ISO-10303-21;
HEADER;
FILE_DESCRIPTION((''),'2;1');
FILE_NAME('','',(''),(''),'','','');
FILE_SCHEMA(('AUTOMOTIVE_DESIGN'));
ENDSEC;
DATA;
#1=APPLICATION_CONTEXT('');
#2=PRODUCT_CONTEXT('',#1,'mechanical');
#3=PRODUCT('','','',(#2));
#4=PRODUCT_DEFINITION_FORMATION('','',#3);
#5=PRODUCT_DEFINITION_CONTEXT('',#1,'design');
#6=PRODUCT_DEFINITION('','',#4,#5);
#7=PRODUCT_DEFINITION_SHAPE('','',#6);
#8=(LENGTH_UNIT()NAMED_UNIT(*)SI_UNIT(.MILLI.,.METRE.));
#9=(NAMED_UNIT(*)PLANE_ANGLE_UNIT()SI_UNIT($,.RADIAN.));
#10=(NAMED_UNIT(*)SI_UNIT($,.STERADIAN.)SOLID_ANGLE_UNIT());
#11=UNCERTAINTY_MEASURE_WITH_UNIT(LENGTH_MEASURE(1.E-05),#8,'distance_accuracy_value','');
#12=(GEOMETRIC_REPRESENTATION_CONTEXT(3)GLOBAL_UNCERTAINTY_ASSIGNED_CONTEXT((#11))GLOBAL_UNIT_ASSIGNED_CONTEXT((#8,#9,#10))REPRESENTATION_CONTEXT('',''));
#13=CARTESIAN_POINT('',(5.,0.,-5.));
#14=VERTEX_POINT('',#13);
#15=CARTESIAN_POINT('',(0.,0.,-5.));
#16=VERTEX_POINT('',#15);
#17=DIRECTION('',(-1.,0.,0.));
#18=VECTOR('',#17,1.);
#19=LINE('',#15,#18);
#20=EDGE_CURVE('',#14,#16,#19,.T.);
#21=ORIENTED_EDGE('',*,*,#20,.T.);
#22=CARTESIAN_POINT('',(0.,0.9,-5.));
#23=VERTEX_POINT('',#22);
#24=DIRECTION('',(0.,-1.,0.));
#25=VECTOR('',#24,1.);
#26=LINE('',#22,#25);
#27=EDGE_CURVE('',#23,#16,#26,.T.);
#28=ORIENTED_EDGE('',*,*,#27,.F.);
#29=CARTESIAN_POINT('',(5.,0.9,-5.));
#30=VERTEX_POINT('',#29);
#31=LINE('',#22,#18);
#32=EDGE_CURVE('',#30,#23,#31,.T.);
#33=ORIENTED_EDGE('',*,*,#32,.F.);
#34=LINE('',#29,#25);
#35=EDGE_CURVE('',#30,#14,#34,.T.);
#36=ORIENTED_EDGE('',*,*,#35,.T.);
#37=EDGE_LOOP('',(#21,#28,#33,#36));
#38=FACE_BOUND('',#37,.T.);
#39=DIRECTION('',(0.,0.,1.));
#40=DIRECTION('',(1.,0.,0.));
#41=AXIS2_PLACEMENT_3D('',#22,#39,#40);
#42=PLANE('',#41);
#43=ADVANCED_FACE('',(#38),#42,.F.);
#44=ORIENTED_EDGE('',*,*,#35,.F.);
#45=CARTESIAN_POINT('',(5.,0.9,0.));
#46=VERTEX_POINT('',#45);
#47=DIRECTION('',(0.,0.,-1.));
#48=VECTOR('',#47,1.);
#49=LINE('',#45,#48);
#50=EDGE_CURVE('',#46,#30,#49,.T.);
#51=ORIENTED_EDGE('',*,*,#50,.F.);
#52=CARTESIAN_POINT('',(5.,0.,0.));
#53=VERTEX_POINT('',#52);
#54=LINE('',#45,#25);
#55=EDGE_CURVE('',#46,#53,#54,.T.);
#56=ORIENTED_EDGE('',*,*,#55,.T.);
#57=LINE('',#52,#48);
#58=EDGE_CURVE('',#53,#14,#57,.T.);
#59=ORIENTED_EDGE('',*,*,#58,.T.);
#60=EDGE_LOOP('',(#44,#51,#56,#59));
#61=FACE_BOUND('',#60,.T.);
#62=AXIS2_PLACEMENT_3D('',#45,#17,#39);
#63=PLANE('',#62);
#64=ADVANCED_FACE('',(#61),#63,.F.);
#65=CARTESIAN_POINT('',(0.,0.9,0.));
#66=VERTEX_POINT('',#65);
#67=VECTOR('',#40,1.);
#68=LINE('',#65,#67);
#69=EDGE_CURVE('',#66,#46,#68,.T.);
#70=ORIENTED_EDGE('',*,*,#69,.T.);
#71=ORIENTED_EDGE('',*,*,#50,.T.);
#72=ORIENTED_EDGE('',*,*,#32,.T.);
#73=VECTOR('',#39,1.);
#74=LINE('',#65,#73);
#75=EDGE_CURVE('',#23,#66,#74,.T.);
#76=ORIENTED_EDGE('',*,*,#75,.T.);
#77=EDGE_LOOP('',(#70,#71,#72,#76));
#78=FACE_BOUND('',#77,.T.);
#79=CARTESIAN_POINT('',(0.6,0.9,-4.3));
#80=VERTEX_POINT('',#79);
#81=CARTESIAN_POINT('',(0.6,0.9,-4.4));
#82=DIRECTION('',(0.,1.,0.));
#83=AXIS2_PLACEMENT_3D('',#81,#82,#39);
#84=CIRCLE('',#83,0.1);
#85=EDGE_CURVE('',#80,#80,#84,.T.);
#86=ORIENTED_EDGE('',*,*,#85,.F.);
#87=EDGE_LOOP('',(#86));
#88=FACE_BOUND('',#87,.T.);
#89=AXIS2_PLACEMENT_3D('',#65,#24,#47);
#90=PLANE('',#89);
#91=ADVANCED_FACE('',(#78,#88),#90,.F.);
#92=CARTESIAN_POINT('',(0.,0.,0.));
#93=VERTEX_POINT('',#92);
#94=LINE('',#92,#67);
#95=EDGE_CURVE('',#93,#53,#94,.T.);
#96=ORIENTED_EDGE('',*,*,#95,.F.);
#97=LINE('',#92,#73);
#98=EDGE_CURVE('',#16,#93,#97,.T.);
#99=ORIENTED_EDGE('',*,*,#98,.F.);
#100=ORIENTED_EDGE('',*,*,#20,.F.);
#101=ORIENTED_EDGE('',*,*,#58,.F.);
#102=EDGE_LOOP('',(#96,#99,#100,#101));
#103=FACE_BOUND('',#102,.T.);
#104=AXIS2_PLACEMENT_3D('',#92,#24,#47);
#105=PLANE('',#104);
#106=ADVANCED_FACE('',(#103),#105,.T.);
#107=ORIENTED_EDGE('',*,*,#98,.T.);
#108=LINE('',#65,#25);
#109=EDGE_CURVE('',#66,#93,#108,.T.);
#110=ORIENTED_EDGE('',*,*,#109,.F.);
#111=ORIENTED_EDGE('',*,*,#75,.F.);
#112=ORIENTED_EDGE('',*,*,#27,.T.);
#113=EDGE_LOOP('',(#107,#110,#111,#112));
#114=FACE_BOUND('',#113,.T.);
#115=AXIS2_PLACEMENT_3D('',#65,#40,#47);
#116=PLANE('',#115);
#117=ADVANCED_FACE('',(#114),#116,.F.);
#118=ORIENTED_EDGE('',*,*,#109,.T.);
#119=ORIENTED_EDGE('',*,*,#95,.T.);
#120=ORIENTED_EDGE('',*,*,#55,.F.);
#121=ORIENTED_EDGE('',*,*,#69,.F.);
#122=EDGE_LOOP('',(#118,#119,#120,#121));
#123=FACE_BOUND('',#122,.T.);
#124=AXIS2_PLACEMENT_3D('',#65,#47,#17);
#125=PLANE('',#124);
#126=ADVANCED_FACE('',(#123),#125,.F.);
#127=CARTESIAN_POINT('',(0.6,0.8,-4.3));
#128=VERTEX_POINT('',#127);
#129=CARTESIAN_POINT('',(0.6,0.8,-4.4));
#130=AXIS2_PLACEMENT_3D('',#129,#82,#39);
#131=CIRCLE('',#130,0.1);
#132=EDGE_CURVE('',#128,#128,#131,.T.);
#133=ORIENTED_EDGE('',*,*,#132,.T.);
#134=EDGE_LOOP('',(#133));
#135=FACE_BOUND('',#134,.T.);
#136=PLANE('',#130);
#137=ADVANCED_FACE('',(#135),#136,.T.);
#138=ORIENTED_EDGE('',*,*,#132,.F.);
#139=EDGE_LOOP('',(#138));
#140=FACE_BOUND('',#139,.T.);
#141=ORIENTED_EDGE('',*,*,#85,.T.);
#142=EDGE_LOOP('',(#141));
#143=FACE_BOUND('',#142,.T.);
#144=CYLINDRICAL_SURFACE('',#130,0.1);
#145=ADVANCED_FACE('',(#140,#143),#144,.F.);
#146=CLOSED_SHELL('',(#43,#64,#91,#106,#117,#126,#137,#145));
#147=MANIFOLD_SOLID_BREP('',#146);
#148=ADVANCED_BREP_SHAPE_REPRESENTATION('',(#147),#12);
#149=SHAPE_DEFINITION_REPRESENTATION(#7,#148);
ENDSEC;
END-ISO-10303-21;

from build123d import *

# Parameters (mm, degrees)
ESQUISSE1_W             = 5
ESQUISSE1_H             = 5
BOSS_EXTRU_1_DEPTH      = 0.9
ESQUISSE2_R             = 0.1
ENL_V_MAT_EXTRU_1_DEPTH = 0.1


with BuildPart() as part:
    # Esquisse1 → Boss.-Extru.1 (new body)
    with BuildSketch(Plane(origin=(0, 0, 0), x_dir=(1, 0, 0), z_dir=(0, 1, 0))):
        with Locations((2.5, 2.5)):
            Rectangle(ESQUISSE1_W, ESQUISSE1_H)
    extrude(amount=BOSS_EXTRU_1_DEPTH)

    # Esquisse2 → Enlèv. mat.-Extru.1 (cut)
    with BuildSketch(Plane(origin=(0, 0.9, 0), x_dir=(1, 0, 0), z_dir=(0, 1, 0))):
        with Locations((0.6, 4.4)):
            Circle(ESQUISSE2_R)
    extrude(amount=-ENL_V_MAT_EXTRU_1_DEPTH, mode=Mode.SUBTRACT)


solid = part.part
